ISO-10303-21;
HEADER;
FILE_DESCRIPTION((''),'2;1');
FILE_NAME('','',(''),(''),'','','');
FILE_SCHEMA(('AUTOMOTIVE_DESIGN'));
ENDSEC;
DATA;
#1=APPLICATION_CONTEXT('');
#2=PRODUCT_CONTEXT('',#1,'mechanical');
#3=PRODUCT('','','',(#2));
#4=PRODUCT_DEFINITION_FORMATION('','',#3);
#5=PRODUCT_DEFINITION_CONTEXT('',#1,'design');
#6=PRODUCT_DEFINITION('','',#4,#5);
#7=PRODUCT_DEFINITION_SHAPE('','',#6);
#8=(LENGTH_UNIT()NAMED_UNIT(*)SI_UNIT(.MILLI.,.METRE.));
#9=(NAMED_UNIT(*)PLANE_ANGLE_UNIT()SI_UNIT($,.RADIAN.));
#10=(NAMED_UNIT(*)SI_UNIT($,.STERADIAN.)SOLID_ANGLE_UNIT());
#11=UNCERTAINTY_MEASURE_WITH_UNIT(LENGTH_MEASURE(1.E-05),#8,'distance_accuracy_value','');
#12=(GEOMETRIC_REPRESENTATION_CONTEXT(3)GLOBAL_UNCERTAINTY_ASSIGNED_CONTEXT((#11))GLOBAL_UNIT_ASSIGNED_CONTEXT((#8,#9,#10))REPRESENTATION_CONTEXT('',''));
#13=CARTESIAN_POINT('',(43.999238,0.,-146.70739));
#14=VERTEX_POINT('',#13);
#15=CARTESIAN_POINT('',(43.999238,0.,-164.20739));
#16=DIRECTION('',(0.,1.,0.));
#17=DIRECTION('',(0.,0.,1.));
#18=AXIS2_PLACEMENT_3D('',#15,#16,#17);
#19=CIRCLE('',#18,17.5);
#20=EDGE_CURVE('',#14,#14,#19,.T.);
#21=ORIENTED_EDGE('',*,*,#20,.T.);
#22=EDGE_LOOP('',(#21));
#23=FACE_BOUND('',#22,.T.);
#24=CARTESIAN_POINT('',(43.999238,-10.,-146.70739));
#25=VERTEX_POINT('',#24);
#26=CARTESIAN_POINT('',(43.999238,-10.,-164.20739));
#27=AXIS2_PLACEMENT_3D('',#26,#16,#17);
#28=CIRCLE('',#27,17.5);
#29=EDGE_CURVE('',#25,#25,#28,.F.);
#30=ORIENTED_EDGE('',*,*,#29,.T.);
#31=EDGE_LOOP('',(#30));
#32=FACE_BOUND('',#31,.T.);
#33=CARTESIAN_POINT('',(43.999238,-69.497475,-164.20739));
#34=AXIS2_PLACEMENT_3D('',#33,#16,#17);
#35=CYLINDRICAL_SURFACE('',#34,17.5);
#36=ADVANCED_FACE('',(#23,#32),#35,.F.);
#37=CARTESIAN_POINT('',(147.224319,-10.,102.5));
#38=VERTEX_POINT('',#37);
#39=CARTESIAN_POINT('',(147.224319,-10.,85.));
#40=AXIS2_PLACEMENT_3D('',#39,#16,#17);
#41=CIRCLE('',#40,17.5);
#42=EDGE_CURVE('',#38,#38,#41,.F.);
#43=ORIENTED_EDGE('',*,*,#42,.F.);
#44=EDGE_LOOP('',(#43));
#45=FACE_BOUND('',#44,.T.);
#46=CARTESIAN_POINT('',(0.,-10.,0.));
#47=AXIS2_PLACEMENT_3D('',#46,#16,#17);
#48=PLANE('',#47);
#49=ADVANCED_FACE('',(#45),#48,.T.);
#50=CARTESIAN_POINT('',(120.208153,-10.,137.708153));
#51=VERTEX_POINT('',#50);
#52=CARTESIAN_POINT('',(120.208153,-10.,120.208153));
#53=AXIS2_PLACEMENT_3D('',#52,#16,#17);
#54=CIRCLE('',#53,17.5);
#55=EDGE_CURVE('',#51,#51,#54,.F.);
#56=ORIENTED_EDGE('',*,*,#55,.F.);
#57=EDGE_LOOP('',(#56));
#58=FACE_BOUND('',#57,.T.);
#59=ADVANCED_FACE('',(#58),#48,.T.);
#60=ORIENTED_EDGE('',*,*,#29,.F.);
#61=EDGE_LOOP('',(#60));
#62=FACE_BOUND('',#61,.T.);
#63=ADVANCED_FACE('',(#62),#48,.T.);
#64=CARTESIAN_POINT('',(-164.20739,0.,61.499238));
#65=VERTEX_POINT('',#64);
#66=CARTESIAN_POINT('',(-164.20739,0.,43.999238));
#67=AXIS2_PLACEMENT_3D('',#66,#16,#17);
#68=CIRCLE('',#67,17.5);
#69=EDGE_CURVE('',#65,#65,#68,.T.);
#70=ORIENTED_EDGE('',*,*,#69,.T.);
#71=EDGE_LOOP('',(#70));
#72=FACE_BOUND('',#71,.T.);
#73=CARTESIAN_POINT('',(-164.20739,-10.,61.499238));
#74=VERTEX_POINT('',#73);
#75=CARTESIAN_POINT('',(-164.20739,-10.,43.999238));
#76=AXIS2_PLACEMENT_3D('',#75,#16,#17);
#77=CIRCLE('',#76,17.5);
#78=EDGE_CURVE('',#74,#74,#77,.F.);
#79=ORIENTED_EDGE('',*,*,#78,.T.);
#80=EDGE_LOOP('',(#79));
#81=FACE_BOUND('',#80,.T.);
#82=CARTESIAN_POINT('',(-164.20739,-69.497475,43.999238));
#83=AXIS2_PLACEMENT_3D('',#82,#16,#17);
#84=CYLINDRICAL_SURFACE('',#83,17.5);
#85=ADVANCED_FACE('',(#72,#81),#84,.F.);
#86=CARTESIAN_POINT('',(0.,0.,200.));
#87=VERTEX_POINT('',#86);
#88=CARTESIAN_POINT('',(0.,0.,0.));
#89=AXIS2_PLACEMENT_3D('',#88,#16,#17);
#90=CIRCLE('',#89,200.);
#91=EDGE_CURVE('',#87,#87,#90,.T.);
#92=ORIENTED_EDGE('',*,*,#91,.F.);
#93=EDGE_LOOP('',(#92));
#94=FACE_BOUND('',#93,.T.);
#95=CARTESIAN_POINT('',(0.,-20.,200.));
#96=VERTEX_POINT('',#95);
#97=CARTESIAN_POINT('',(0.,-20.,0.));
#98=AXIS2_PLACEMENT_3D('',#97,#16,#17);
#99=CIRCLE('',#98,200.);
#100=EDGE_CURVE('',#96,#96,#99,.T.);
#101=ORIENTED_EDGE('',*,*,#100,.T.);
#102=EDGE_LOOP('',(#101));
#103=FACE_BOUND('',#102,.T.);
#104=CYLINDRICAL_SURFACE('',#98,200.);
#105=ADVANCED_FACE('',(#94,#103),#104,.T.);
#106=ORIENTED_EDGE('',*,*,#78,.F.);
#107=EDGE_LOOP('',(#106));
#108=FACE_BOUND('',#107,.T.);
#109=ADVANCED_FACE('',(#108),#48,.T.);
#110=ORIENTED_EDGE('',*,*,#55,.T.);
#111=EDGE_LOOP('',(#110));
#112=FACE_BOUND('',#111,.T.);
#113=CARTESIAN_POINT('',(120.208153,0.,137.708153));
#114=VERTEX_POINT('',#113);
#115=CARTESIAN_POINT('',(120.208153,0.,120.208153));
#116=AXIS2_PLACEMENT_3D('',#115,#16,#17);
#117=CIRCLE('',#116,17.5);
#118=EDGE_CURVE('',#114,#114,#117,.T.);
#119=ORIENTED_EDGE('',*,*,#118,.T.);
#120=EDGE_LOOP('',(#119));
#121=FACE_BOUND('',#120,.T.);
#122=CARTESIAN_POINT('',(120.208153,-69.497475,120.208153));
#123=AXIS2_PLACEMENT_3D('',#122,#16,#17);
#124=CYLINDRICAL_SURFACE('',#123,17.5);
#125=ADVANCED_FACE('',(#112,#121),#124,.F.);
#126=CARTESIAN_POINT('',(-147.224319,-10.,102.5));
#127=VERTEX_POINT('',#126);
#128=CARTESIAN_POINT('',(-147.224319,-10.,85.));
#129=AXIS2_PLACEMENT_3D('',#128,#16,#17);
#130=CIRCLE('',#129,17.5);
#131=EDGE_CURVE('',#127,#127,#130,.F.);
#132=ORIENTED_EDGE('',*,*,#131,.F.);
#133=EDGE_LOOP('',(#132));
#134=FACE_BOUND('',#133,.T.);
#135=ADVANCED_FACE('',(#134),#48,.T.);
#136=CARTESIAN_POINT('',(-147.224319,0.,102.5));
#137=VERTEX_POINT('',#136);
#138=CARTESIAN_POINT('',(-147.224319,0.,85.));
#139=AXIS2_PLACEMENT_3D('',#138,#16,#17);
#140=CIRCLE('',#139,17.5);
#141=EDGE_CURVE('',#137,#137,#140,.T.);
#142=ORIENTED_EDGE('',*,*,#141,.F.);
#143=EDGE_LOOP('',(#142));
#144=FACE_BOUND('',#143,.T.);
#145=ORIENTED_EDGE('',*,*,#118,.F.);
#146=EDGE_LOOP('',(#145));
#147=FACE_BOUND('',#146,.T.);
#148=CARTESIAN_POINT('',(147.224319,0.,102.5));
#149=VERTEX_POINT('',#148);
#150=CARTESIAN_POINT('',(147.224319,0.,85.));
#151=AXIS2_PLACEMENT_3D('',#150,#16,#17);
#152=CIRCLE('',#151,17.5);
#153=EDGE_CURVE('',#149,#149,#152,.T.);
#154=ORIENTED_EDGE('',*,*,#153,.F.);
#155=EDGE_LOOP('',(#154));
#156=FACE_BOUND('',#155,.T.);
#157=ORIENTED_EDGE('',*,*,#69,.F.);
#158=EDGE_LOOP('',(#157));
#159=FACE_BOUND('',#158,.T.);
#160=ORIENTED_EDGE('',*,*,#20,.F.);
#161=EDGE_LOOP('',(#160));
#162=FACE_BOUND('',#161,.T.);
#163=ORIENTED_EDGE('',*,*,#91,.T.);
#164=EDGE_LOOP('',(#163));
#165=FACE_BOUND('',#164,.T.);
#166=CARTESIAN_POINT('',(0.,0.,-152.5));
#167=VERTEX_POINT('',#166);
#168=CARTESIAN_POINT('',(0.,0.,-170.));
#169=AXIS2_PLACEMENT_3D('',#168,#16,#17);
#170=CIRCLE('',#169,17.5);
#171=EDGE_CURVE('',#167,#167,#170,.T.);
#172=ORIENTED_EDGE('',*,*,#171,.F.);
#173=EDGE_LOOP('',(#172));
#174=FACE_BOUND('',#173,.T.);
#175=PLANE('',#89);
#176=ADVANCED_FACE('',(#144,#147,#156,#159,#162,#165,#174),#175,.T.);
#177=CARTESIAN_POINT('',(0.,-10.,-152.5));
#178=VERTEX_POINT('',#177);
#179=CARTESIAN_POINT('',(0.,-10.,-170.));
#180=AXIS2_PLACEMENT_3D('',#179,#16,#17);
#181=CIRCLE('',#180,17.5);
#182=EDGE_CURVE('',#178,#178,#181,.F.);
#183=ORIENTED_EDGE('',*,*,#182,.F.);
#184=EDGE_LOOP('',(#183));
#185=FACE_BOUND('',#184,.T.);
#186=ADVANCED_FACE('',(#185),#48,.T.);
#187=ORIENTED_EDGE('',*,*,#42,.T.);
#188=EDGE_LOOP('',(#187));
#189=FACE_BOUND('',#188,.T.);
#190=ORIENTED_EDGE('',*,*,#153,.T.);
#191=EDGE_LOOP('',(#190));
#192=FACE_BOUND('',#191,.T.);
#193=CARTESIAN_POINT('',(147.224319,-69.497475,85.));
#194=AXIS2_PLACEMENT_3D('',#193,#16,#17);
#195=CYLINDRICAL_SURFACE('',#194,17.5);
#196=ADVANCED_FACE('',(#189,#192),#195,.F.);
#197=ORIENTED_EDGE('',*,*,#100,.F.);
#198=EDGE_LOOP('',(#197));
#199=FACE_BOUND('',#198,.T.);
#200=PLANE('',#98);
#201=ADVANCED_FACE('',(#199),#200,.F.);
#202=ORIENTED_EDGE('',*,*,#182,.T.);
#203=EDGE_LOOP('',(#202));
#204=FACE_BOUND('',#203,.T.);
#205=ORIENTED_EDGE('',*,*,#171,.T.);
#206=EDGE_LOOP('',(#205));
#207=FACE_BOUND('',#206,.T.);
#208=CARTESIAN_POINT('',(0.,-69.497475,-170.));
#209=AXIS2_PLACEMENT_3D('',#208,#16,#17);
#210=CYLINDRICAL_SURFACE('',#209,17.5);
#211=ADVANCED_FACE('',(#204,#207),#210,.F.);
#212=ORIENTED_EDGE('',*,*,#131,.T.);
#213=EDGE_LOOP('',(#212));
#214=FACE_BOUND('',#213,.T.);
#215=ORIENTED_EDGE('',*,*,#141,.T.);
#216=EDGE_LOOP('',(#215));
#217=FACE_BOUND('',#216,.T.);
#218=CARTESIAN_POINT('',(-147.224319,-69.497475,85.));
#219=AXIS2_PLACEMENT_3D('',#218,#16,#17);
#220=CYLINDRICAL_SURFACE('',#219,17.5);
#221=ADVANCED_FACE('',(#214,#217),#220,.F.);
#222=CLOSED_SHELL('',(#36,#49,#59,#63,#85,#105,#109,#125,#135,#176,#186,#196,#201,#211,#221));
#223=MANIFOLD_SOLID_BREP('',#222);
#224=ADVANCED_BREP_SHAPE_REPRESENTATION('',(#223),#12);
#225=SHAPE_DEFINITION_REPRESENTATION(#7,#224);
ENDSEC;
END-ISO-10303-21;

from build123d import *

# Parameters (mm, degrees)
SKETCH1_R          = 200
EXTRUDE1_DEPTH     = 20
SKETCH2_R          = 17.5
CUT_EXTRUDE1_DEPTH = 10


with BuildPart() as part:
    # Sketch1 → Extrude1 (new body)
    with BuildSketch(Plane(origin=(0, 0, 0), x_dir=(1, 0, 0), z_dir=(0, 1, 0))):
        with Locations(Location((0, 0, 0), (0, 0, 270))):
            Circle(SKETCH1_R)
    extrude(amount=-EXTRUDE1_DEPTH)

    # Sketch2 → Cut-Extrude1 (cut)
    with BuildSketch(Plane(origin=(0, 0, 0), x_dir=(1, 0, 0), z_dir=(0, 1, 0))):
        with Locations(Location((0, 170, 0), (0, 0, 270))):
            Circle(SKETCH2_R)
        with Locations(Location((43.999237667, 164.207390469, 0), (0, 0, 270))):
            Circle(SKETCH2_R)
        with Locations(Location((147.224318643, -85, 0), (0, 0, 270))):
            Circle(SKETCH2_R)
        with Locations(Location((120.208152802, -120.208152802, 0), (0, 0, 270))):
            Circle(SKETCH2_R)
        with Locations(Location((-147.224318643, -85, 0), (0, 0, 270))):
            Circle(SKETCH2_R)
        with Locations(Location((-164.207390469, -43.999237667, 0), (0, 0, 270))):
            Circle(SKETCH2_R)
    extrude(amount=-CUT_EXTRUDE1_DEPTH, mode=Mode.SUBTRACT)


solid = part.part
